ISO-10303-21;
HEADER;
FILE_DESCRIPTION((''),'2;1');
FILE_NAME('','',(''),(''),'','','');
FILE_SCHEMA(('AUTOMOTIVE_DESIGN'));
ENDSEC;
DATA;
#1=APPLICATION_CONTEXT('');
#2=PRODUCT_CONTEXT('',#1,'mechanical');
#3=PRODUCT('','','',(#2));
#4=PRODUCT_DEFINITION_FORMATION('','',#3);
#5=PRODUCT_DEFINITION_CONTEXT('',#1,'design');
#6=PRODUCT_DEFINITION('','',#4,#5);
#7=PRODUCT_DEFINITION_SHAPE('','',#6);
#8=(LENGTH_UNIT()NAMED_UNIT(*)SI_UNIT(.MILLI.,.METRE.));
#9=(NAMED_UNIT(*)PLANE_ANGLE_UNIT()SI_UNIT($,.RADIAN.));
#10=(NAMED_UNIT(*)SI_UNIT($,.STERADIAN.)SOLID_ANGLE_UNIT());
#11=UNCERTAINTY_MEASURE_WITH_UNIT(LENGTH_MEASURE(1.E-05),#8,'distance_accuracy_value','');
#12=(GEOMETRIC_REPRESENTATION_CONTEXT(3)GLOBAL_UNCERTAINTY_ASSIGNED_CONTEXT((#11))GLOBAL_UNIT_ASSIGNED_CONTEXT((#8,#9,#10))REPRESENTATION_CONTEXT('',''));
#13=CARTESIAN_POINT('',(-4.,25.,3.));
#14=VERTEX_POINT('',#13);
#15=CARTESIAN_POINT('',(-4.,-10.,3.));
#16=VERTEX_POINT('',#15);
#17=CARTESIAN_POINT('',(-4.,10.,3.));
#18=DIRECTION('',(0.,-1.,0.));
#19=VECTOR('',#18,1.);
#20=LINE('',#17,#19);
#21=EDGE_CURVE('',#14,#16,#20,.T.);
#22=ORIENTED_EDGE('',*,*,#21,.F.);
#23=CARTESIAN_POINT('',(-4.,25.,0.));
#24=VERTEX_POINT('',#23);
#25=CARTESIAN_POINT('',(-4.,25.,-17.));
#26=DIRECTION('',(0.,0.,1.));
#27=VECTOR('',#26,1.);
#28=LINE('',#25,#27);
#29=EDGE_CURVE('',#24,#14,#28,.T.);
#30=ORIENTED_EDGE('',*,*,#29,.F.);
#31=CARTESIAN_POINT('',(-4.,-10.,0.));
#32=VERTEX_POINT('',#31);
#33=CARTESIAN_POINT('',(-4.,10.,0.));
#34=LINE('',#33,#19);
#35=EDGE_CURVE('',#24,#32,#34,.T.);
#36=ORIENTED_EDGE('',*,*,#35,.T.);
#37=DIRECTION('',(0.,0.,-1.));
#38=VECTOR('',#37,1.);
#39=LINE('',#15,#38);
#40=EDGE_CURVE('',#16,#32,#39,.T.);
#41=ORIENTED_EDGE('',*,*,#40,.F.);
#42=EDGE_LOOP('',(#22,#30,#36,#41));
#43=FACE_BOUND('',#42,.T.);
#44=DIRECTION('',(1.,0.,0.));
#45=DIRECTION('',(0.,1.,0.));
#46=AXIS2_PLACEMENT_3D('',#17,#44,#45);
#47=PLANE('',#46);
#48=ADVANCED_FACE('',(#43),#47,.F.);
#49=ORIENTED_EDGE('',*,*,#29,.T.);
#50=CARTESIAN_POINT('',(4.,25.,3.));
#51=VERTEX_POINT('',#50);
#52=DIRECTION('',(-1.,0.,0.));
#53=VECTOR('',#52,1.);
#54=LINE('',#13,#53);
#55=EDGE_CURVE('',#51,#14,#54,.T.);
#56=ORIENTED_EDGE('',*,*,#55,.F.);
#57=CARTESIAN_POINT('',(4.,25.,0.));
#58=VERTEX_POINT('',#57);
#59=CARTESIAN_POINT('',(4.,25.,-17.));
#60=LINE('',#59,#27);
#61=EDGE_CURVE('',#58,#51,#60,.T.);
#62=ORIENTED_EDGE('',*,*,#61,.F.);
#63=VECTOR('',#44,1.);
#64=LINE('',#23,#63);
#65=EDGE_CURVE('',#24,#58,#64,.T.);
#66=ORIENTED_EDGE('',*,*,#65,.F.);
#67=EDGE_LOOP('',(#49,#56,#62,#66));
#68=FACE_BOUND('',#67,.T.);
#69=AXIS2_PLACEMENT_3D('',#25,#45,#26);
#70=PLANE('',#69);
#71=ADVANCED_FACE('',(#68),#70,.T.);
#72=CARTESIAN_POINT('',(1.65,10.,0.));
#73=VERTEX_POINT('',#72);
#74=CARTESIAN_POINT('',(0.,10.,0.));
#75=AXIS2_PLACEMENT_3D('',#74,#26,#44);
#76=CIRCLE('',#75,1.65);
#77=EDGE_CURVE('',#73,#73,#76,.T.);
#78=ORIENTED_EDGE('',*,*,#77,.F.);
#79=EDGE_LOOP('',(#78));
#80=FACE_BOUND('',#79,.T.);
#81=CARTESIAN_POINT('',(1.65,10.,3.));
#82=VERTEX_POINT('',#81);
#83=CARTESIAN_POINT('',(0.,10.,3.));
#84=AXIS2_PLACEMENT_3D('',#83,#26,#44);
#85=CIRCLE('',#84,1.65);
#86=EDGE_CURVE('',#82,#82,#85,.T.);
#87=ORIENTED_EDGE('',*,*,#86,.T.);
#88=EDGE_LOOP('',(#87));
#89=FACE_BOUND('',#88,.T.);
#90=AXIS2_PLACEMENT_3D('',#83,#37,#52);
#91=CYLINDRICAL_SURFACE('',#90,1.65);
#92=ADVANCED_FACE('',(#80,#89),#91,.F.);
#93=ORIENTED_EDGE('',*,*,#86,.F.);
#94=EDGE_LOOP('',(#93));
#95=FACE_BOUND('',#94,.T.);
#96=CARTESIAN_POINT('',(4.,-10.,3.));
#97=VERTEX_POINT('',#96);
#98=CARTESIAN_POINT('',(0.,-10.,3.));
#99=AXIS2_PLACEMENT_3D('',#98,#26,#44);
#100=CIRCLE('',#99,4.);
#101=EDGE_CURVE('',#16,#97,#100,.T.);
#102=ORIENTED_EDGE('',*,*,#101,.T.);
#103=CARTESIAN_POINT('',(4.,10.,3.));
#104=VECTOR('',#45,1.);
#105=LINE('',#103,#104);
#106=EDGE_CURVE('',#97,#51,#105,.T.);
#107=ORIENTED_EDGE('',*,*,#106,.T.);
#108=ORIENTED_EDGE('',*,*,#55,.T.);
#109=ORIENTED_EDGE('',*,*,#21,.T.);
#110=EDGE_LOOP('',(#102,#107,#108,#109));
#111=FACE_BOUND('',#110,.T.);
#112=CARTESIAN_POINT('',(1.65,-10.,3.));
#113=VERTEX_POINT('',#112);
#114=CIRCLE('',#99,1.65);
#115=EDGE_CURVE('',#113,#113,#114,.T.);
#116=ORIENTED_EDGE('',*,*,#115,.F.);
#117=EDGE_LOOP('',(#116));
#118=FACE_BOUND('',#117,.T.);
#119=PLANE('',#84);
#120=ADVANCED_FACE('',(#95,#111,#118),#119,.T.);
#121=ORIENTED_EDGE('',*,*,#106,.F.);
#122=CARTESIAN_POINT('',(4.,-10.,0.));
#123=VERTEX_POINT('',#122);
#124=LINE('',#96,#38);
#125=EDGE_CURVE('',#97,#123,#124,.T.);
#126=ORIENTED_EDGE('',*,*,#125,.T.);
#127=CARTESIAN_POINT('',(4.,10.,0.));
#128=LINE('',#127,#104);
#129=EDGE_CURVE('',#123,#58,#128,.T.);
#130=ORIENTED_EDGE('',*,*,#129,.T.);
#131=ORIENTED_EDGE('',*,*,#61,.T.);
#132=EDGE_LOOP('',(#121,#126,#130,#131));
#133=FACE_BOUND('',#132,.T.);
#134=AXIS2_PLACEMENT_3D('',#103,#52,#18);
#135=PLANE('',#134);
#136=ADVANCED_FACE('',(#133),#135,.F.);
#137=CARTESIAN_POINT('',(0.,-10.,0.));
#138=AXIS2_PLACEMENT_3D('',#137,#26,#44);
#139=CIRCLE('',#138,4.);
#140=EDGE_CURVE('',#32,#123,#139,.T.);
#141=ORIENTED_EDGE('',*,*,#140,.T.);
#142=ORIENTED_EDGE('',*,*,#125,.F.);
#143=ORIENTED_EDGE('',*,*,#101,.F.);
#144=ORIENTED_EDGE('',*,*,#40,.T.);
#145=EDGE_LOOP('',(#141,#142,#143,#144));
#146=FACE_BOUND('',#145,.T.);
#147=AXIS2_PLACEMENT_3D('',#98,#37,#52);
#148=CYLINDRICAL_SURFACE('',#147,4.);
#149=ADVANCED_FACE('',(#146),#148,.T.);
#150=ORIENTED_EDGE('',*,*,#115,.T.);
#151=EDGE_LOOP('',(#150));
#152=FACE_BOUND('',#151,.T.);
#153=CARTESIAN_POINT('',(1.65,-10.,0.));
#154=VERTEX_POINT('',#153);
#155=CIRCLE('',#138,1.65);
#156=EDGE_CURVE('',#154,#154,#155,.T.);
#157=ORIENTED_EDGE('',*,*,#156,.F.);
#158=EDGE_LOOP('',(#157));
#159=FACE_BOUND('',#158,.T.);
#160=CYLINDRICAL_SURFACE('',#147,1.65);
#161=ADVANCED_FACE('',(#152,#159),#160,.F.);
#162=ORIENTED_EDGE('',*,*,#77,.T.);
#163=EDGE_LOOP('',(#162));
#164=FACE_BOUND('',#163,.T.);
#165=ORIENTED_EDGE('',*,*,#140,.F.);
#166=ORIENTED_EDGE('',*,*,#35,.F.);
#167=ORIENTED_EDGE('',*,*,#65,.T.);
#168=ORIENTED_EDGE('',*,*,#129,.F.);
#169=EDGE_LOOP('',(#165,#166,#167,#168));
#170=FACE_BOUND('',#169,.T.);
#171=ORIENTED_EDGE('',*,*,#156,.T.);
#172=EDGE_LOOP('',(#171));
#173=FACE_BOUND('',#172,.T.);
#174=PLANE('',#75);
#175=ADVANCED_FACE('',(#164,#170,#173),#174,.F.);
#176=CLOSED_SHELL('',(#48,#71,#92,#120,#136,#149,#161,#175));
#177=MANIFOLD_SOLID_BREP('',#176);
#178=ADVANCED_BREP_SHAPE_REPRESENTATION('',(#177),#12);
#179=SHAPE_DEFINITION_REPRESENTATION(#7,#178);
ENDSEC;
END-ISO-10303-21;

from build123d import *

# Parameters (mm, degrees)
SKETCH_1_R      = 1.65
EXTRUDE_1_DEPTH = 3
EXTRUDE_START   = -3
EXTRUDE_2_DEPTH = 3


with BuildPart() as part:
    # 草图1 → 凸台-拉伸1 (new body)
    with BuildSketch(Plane.XY):
        with BuildLine():
            Line((4, 10), (4, -10))
            ThreePointArc((4, -10), (0, -14), (-4, -10))
            Line((-4, -10), (-4, 10))
            ThreePointArc((-4, 10), (0, 14), (4, 10))
        make_face()
        with Locations((0, 10)):
            Circle(SKETCH_1_R, mode=Mode.SUBTRACT)
        with Locations((0, -10)):
            Circle(SKETCH_1_R, mode=Mode.SUBTRACT)
    extrude(amount=EXTRUDE_1_DEPTH)

    # 草图2 → 凸台-拉伸2 (add)
    with BuildSketch(Plane.XY.offset(3).offset(EXTRUDE_START)):
        with BuildLine():
            Line((-4, 10), (-4, 25))
            Line((-4, 25), (4, 25))
            Line((4, 25), (4, 10))
            ThreePointArc((4, 10), (0, 14), (-4, 10))
        make_face()
    extrude(amount=EXTRUDE_2_DEPTH)


solid = part.part
